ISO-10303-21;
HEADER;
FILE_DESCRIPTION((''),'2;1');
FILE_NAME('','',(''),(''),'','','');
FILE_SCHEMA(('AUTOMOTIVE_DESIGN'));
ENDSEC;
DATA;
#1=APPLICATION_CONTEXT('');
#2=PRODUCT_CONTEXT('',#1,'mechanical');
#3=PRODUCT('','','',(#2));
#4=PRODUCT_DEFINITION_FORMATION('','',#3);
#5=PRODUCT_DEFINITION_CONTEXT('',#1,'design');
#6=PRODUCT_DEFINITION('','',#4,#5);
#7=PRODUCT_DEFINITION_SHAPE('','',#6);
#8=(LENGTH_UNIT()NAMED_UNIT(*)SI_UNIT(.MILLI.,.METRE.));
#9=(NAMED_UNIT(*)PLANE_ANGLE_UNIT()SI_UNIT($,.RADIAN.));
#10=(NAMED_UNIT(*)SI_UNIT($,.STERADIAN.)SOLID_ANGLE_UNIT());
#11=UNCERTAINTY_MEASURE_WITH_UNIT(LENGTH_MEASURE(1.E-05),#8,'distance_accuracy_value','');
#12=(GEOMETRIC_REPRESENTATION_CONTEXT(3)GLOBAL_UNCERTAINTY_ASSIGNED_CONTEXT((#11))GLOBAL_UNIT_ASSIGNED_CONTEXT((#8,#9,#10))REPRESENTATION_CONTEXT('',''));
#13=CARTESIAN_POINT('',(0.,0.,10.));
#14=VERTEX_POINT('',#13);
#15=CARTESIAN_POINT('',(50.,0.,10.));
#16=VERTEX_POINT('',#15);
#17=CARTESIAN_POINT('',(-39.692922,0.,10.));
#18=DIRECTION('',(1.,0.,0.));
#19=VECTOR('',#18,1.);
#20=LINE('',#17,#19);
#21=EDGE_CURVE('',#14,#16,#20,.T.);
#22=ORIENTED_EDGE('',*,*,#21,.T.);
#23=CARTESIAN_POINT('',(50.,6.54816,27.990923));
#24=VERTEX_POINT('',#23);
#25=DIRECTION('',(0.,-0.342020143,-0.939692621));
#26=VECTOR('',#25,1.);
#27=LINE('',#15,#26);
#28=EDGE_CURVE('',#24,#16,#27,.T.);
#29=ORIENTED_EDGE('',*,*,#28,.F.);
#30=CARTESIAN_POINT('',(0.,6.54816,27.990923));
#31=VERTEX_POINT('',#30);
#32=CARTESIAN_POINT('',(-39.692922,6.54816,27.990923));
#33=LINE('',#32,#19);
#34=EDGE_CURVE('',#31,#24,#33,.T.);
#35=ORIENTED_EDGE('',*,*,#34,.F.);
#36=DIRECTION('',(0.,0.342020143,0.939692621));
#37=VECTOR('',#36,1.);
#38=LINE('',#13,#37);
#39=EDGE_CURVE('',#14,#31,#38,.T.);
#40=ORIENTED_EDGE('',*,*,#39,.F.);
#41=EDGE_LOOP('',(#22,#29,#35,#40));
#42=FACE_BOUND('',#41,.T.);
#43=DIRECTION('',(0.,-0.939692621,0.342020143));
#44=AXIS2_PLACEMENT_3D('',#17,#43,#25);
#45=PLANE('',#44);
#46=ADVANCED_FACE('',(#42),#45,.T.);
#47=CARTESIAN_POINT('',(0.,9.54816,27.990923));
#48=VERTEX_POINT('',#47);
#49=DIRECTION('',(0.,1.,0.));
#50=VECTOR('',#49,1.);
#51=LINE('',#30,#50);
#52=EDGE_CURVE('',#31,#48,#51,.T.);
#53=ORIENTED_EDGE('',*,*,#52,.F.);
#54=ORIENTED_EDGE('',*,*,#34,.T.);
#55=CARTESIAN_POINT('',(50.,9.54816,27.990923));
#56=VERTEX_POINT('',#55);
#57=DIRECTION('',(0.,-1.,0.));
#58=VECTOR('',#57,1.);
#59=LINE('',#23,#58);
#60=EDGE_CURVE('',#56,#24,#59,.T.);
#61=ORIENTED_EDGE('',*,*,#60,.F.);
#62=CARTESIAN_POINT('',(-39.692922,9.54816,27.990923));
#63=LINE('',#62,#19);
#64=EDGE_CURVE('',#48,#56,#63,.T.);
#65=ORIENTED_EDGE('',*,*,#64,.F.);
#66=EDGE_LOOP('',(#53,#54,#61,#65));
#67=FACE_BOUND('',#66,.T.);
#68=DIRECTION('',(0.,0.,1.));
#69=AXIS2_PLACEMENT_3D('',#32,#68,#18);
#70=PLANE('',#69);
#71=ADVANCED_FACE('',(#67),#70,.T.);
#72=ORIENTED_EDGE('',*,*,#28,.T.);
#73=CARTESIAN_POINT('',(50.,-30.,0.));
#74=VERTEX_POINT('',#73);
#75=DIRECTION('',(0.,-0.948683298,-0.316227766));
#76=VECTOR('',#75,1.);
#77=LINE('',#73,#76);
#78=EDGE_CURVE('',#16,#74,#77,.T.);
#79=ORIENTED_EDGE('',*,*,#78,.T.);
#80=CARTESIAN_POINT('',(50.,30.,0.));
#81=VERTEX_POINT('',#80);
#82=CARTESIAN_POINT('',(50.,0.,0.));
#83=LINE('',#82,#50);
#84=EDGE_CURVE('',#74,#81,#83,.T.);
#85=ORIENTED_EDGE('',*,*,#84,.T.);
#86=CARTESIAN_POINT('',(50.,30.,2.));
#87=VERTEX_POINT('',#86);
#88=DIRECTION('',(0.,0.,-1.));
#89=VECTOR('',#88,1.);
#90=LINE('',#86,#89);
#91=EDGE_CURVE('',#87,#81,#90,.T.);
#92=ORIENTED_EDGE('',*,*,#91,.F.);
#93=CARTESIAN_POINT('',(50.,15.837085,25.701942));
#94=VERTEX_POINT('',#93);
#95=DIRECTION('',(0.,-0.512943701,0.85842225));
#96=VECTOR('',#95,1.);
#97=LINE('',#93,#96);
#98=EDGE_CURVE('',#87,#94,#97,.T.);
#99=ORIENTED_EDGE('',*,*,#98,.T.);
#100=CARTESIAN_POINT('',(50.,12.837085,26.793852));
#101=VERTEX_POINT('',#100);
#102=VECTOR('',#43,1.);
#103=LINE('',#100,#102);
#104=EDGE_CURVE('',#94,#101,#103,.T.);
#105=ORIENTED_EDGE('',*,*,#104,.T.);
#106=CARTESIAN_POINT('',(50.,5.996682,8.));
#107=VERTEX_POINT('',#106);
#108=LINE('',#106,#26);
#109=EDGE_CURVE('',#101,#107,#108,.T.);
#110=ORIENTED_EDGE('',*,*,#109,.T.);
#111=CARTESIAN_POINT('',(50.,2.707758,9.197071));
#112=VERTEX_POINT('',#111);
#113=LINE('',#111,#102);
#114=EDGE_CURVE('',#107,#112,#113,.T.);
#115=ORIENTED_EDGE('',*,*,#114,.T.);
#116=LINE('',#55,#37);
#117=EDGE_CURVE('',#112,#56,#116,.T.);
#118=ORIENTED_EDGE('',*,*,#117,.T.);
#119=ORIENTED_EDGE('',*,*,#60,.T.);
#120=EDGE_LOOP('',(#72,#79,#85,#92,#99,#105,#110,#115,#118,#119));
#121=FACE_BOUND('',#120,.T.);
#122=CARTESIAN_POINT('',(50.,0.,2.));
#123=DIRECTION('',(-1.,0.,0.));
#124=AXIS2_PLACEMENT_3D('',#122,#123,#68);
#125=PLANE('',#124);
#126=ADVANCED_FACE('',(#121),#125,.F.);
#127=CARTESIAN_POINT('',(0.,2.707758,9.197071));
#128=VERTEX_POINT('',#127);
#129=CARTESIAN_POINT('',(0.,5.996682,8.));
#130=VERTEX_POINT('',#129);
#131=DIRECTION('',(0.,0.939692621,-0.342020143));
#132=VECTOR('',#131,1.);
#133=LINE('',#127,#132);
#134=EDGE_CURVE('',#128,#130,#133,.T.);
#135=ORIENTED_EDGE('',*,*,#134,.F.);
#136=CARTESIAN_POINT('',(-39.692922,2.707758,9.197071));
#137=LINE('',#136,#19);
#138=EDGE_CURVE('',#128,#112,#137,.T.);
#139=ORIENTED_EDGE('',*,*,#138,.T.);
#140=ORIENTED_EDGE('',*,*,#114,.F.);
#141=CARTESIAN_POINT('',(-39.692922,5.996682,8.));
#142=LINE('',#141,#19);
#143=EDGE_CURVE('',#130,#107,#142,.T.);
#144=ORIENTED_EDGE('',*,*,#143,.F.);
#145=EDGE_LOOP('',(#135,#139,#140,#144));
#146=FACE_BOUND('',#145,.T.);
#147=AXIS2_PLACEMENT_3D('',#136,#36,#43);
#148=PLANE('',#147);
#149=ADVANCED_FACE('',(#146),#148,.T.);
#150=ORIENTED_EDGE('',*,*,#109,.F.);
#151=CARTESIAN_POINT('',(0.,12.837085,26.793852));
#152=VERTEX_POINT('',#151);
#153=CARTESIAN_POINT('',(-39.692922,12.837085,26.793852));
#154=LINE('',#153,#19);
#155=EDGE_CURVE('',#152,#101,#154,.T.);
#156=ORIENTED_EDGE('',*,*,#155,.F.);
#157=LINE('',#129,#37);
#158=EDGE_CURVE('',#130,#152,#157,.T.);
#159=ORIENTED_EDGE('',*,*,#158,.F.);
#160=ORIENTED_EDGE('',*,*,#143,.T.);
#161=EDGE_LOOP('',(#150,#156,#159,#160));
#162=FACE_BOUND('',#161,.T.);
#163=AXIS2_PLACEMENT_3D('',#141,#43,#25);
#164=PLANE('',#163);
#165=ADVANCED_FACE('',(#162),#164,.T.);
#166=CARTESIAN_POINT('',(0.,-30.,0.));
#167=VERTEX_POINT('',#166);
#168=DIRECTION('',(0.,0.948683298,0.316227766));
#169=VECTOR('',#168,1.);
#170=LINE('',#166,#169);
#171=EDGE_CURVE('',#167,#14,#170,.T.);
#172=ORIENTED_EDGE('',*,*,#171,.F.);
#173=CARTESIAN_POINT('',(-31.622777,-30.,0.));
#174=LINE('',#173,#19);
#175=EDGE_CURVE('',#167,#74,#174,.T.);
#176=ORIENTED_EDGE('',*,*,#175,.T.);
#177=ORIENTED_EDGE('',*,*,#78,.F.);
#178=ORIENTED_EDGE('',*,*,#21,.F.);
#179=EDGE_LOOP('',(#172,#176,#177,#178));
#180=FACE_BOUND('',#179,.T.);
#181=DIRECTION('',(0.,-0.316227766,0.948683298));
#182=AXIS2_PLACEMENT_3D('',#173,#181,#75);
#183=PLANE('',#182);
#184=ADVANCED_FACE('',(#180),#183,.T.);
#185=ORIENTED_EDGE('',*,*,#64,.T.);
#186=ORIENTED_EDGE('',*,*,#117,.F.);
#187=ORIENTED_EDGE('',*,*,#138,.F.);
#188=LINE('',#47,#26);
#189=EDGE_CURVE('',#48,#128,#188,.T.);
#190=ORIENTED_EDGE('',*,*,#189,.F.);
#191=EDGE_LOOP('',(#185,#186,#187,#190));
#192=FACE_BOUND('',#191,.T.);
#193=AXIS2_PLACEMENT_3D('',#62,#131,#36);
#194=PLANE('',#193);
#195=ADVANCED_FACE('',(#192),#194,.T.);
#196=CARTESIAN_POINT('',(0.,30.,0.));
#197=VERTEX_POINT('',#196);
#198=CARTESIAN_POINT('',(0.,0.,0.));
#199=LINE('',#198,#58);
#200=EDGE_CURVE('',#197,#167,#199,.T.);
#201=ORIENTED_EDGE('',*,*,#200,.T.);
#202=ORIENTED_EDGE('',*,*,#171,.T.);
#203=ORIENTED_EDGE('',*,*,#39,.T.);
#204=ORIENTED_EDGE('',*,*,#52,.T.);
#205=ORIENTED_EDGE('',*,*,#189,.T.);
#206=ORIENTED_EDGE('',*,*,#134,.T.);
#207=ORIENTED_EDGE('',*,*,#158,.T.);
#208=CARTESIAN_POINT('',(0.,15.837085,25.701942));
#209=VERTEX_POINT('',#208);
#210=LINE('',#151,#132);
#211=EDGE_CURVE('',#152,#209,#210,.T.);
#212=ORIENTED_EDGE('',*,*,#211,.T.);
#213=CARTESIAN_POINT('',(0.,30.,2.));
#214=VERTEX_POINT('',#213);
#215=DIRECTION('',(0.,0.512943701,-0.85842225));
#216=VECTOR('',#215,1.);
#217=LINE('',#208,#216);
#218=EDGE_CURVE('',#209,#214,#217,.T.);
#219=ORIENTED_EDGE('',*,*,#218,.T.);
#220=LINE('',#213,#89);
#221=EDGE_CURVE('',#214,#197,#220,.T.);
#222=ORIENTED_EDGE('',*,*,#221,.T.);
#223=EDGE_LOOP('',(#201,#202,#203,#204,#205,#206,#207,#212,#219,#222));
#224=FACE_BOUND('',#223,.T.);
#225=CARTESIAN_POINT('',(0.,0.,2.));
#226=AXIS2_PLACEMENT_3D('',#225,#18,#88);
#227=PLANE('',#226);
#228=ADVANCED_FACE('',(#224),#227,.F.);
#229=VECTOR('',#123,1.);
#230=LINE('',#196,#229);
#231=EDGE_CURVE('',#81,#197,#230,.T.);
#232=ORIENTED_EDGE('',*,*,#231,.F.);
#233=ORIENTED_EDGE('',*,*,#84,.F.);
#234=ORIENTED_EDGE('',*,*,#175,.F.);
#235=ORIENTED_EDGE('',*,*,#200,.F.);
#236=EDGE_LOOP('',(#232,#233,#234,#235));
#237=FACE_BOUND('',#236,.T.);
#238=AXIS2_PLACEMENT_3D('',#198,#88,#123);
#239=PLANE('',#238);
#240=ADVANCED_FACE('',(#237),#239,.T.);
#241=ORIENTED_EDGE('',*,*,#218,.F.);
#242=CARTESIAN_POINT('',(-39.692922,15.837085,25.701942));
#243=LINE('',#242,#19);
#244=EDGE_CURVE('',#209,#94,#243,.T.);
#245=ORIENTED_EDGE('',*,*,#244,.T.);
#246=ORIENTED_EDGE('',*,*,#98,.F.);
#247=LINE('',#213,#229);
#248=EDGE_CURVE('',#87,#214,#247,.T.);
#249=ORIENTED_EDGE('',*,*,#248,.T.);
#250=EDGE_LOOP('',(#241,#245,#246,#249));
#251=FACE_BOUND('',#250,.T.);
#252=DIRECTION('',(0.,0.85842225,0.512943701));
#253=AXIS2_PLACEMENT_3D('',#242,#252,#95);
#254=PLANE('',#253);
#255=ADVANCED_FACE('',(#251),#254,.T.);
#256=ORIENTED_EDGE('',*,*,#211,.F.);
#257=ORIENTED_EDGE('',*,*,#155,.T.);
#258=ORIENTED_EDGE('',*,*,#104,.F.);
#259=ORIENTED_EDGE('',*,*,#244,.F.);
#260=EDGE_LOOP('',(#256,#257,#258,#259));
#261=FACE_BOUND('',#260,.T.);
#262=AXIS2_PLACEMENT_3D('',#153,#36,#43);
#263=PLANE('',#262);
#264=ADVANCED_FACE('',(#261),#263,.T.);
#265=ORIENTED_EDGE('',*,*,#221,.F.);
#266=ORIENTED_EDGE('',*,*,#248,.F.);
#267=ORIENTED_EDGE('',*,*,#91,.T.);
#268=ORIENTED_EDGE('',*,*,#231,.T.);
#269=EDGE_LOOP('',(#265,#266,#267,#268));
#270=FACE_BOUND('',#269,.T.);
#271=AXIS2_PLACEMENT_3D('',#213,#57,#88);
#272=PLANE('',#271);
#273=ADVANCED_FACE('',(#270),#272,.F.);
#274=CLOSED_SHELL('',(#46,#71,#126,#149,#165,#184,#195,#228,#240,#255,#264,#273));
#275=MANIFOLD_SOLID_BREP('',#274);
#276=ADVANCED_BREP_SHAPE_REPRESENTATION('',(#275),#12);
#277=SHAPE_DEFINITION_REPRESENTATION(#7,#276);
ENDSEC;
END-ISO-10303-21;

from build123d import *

# Parameters (mm, degrees)
ESQUISSE1_W        = 50
ESQUISSE1_H        = 30
BOSS_EXTRU_1_DEPTH = 2
BOSS_EXTRU_2_DEPTH = 50
BOSS_EXTRU_4_DEPTH = 50


with BuildPart() as part:
    # Esquisse1 → Boss.-Extru.1 (new body)
    with BuildSketch(Plane.XY):
        with Locations((25, 15)):
            Rectangle(ESQUISSE1_W, ESQUISSE1_H)
    extrude(amount=BOSS_EXTRU_1_DEPTH)

    # Esquisse2 → Boss.-Extru.2 (add)
    with BuildSketch(Plane(origin=(50, 0, 0), x_dir=(0, 0, -1), z_dir=(1, 0, 0))):
        Polygon((-2, 0), (-10, 0), (-27.990922917, 6.548160429), (-27.990922917, 9.548160429), (-9.197070502, 2.707757562), (-8, 5.996681735), (-26.793852416, 12.837084602), (-25.701941713, 15.837084602), (-2, 30), align=None)
    extrude(amount=-BOSS_EXTRU_2_DEPTH)

    # Esquisse4 → Boss.-Extru.4 (add)
    with BuildSketch(Plane(origin=(50, 0, 0), x_dir=(0, 0, -1), z_dir=(1, 0, 0))):
        Polygon((0, 0), (0, -30), (-10, 0), align=None)
    extrude(amount=-BOSS_EXTRU_4_DEPTH)


solid = part.part
